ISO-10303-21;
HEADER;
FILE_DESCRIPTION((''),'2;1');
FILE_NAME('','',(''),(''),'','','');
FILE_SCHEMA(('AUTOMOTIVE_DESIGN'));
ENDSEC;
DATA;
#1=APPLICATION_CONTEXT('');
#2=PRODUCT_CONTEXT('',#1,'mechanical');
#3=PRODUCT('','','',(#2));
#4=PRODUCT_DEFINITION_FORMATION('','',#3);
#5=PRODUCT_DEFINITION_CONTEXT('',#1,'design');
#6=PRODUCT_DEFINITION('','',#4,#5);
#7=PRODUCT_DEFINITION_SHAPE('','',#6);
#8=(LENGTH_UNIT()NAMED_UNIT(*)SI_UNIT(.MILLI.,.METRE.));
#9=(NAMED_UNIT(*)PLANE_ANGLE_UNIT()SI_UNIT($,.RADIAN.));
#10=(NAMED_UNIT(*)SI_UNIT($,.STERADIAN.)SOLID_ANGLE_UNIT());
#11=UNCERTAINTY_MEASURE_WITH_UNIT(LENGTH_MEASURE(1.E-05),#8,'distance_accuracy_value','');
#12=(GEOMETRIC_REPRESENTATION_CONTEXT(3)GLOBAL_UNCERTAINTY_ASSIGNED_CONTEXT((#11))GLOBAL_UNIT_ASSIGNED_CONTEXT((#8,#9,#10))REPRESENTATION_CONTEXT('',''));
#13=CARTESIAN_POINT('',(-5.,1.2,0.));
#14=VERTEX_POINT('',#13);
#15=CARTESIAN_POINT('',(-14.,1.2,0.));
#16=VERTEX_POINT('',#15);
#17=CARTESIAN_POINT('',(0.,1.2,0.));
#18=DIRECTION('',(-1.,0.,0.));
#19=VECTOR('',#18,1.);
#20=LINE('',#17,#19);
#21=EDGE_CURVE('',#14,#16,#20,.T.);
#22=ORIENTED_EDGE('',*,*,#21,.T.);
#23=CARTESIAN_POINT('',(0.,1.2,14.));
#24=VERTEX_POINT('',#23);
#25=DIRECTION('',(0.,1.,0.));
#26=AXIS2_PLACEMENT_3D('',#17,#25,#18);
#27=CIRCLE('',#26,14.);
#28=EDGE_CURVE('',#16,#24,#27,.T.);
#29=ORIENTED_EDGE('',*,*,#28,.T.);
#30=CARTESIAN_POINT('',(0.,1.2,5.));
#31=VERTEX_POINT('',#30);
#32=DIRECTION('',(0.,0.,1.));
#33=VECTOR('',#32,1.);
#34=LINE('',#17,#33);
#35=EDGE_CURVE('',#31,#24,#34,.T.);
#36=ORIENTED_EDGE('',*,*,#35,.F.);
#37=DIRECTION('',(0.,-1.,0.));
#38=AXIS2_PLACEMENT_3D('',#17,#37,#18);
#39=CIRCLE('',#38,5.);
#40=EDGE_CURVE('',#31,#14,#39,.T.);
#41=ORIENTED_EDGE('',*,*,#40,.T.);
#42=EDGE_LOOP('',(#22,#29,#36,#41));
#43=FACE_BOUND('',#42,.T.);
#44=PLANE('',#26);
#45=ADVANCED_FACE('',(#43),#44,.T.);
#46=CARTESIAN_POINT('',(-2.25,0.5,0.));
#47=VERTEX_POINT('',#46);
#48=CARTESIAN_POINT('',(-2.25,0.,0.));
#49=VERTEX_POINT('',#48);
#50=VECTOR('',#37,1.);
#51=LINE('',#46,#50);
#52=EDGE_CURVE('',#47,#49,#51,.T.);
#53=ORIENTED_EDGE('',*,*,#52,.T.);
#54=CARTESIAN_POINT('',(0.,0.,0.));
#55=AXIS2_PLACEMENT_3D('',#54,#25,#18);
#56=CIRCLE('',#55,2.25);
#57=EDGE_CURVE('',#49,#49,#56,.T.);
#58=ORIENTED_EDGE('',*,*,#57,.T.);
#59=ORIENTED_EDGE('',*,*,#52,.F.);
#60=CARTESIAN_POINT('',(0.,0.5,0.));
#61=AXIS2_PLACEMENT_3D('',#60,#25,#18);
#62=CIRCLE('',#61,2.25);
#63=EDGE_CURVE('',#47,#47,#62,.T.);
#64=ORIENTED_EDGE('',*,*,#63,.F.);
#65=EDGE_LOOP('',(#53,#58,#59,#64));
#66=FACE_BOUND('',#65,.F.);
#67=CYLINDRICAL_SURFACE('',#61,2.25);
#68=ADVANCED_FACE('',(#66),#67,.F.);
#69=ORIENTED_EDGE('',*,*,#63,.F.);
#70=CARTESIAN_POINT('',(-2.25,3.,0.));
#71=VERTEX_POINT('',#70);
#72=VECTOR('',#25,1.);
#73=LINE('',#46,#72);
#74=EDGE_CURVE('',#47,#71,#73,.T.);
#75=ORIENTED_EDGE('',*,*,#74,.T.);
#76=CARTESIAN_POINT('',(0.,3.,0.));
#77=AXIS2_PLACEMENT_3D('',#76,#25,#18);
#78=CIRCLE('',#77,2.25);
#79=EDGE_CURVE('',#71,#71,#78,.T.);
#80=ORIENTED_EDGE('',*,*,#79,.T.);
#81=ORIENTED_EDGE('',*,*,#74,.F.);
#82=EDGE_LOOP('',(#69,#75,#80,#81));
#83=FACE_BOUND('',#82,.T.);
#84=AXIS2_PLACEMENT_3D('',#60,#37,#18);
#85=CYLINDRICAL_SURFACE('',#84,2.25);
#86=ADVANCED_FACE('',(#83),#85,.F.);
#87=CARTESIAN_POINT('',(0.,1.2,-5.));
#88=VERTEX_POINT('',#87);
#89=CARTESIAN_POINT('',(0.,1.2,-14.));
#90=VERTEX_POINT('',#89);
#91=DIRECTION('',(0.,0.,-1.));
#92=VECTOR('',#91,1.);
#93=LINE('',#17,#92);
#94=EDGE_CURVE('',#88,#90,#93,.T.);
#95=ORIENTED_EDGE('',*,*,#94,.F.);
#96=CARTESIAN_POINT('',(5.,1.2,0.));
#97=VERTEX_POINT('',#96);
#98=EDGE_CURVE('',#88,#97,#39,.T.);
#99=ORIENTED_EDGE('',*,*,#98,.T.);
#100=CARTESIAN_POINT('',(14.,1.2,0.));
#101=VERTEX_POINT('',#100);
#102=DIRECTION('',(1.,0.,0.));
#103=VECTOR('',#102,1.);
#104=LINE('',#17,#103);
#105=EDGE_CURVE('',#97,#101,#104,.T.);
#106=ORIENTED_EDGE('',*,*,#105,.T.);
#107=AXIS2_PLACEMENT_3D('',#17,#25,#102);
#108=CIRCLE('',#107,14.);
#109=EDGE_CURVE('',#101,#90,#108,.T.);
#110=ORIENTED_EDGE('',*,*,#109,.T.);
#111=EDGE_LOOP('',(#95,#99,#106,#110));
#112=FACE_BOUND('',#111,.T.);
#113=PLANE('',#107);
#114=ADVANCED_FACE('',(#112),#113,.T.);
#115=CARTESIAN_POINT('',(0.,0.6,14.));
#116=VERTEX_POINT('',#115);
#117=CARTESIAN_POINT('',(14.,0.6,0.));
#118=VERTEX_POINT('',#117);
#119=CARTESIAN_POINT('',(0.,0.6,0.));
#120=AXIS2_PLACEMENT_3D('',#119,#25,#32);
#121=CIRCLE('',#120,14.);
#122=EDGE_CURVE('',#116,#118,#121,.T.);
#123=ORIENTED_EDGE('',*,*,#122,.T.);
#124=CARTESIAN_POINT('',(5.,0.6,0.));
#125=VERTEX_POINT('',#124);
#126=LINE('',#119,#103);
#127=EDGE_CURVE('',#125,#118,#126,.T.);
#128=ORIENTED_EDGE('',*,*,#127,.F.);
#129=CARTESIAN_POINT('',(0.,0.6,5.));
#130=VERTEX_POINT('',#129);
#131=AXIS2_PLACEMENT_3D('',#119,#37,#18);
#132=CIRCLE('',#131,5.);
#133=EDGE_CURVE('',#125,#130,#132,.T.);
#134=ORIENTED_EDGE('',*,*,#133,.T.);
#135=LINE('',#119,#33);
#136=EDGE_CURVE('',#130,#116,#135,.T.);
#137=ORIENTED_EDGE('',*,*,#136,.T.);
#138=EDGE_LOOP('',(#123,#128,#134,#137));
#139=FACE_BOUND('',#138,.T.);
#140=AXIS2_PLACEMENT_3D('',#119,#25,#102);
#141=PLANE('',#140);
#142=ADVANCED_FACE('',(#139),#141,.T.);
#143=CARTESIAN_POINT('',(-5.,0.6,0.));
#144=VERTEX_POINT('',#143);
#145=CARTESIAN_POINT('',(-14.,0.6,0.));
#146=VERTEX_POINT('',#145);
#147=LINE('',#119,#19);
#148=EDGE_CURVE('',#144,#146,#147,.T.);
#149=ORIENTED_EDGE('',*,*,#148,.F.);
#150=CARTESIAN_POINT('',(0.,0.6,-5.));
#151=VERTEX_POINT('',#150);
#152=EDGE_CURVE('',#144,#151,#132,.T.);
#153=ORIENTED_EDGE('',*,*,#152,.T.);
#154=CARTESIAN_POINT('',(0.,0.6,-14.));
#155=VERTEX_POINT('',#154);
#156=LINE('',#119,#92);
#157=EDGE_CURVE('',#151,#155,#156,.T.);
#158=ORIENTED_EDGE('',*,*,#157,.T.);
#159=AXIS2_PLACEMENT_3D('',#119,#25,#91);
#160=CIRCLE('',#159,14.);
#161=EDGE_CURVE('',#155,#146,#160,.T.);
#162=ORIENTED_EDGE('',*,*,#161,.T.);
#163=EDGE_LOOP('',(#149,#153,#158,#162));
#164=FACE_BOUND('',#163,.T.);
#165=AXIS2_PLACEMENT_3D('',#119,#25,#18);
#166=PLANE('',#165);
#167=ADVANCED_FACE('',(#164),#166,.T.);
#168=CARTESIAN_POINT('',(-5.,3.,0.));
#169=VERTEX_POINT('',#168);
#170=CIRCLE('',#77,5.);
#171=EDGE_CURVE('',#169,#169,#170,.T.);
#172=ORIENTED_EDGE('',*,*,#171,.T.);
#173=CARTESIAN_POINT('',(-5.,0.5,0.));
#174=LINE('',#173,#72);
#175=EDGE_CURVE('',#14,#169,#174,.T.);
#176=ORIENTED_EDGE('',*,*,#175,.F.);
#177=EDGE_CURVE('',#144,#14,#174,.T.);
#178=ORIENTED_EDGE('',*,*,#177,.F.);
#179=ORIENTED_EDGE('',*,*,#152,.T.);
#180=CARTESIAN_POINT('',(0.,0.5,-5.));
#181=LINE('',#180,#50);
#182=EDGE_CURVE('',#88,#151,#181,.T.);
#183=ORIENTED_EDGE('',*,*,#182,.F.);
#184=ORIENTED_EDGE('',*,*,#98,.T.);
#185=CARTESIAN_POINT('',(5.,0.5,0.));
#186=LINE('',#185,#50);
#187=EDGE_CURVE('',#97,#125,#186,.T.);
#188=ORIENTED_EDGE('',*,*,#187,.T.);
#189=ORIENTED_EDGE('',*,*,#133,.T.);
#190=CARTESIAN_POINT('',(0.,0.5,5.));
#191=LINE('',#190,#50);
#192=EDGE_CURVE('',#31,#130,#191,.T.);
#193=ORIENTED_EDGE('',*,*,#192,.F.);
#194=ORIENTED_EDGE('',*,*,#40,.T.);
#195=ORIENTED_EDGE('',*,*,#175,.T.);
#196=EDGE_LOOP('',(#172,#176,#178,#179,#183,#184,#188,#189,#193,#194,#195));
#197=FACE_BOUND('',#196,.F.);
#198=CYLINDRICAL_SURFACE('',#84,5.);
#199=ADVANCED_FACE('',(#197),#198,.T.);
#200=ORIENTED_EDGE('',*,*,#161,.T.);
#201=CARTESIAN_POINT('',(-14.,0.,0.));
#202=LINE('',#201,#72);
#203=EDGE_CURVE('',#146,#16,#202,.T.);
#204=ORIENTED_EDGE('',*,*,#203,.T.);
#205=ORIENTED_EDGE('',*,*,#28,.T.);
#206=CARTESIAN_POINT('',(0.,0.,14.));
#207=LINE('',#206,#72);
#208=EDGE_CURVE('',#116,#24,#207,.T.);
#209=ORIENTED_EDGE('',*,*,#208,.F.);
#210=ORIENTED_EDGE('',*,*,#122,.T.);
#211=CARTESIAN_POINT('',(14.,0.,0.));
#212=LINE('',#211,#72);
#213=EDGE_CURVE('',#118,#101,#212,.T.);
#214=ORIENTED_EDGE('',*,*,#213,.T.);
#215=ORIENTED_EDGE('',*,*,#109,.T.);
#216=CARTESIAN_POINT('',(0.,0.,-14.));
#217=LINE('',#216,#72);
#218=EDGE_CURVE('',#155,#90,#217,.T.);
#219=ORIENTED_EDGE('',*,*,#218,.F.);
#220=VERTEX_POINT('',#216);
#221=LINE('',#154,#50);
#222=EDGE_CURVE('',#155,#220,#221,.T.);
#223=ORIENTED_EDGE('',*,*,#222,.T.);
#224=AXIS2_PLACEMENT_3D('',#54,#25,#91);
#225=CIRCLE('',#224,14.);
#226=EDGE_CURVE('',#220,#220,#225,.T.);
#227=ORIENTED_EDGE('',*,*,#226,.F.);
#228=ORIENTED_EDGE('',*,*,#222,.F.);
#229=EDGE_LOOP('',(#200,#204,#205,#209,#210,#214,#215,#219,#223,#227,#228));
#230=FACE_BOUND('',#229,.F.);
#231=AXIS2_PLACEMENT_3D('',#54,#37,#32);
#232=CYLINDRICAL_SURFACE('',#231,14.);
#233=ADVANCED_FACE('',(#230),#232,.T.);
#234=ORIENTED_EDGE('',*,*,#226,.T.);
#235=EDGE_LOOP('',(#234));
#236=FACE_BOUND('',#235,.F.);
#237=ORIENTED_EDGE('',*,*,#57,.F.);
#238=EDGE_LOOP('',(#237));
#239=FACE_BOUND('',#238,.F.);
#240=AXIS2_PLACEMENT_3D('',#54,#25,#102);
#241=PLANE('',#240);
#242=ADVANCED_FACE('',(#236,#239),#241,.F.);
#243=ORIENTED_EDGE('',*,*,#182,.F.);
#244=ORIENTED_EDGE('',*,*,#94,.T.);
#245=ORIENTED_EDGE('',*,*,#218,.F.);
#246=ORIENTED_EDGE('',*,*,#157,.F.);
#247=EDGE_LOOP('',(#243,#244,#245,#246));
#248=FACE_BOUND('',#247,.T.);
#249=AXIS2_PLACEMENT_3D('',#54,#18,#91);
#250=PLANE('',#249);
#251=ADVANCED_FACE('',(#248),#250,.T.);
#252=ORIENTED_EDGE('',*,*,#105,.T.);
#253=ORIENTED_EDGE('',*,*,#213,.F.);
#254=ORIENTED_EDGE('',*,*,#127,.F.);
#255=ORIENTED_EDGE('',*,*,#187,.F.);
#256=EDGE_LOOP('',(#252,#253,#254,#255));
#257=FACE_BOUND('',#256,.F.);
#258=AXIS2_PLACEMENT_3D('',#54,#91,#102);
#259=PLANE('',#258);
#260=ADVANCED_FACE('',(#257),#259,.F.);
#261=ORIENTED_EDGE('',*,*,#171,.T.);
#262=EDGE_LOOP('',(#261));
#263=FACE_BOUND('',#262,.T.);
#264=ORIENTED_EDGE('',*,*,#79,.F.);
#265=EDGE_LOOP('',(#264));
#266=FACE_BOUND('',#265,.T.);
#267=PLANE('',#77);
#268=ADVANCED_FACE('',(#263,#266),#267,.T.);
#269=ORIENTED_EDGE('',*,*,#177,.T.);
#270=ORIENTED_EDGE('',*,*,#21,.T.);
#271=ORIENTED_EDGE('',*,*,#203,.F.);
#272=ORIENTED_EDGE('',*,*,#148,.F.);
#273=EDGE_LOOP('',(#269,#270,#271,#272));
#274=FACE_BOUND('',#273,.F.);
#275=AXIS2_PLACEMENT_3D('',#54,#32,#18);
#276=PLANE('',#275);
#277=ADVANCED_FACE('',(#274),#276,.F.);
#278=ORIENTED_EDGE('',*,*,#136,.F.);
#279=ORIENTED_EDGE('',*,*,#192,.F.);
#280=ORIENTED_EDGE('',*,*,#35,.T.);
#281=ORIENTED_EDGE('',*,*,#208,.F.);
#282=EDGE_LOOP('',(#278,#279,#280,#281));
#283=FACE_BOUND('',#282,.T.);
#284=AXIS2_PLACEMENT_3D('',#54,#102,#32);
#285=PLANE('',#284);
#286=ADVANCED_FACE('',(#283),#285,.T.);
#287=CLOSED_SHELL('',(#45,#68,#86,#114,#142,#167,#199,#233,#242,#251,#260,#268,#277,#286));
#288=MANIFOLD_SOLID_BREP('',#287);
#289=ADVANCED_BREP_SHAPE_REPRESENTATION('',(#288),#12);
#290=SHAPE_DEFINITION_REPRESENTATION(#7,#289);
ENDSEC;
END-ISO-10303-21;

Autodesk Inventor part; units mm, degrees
ref_plane "YZ Plane" through (0, 0, 0) normal (1, 0, 0) x (0, 1, 0)
ref_plane "XY Plane" through (0, 0, 0) normal (0, 0, 1) x (1, 0, 0)
sketch "Sketch1" plane through (0, 0, 0) normal (0, 1, 0) x (-1, 0, 0)
  arc A0 (0, 14) -> (0, -14) centre (0, 0) ccw
  line L0 (0, 0) -> (0, 14)
  line L1 (0, 0) -> (14, 0)
  arc A1 (14, 0) -> (0, 14) centre (0, 0) ccw
  line L2 (0, 0) -> (0, -14)
  arc A2 (0, -14) -> (14, 0) centre (0, 0) ccw
  dimension "d0" = 28
  dimension "d5" = 90
  dimension "d10" = 90
extrude "Extrusion1" add sketch "Sketch1" along normal blind 0.5
extrude "Extrusion2" add sketch "Sketch1" along normal blind 1.2 contours A1 L1 L0
extrude "Extrusion3" add sketch "Sketch1" along normal blind 0.6 contours L2 L1 A2
pattern_circular "Circular Pattern1" count 2 over 360 about axis through (0, -10, 0) along (0, 1, 0) of "Extrusion2", "Extrusion3"
ref_plane "Work Plane1" through (0, 0.5, 0) normal (0, 1, 0) x (-1, 0, 0)
sketch "Sketch2" plane through (0, 0.5, 0) normal (0, 1, 0) x (-1, 0, 0)
  circle A0 centre (0, 0) radius 5
  circle A1 centre (0, 0) radius 2.25
  dimension "d17" = 10
  dimension "d20" = 4.5
extrude "Extrusion4" cut sketch "Sketch2" along normal blind 2 contours A0 | A1
extrude "Extrusion5" cut sketch "Sketch2" along normal mid plane 5 contours A1
extrude "Extrusion6" add sketch "Sketch2" along normal blind 2.5
properties part number "EncoderDisk"
